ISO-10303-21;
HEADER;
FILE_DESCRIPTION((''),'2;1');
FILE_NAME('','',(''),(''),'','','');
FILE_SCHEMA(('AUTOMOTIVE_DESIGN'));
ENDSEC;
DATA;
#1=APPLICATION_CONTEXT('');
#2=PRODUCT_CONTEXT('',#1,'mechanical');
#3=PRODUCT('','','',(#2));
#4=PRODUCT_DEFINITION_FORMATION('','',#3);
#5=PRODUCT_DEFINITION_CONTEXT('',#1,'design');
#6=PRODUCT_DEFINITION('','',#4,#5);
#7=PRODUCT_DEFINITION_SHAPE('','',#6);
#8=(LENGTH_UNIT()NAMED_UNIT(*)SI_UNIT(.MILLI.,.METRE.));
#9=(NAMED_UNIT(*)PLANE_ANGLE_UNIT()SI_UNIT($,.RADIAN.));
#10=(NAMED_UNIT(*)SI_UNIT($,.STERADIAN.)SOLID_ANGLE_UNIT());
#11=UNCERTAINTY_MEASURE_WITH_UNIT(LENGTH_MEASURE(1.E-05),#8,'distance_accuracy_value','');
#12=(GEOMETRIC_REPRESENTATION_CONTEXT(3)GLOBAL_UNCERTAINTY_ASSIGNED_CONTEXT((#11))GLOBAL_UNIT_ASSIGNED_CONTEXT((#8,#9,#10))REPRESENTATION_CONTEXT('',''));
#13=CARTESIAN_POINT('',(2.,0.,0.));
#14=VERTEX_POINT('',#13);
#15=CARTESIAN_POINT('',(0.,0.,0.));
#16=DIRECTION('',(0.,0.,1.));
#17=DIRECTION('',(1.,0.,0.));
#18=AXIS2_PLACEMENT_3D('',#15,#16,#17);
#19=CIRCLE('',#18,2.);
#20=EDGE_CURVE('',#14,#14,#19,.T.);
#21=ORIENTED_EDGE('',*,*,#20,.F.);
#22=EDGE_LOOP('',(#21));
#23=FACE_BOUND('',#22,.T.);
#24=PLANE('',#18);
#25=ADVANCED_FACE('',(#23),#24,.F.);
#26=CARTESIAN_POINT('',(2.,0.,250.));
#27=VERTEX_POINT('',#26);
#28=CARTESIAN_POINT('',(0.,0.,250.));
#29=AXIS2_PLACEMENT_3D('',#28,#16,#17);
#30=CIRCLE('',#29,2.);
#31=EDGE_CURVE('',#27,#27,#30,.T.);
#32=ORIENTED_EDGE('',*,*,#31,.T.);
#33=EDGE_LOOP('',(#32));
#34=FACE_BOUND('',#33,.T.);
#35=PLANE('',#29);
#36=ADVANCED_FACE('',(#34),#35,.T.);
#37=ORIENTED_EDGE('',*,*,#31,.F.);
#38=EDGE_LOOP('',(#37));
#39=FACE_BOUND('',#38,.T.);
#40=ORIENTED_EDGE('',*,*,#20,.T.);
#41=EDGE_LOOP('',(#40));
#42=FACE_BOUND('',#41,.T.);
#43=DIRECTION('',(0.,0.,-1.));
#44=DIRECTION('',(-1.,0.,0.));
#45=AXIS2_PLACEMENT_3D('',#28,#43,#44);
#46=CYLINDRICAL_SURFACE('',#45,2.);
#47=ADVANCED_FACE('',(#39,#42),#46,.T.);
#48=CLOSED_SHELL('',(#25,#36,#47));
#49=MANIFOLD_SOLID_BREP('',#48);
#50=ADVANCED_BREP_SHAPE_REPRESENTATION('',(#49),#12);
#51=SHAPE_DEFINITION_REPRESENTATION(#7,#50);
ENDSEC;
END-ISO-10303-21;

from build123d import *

# Parameters (mm, degrees)
SKETCH1_R           = 2
BOSS_EXTRUDE1_DEPTH = 250


with BuildPart() as part:
    # Sketch1 → Boss-Extrude1 (new body)
    with BuildSketch(Plane.XY):
        Circle(SKETCH1_R)
    extrude(amount=BOSS_EXTRUDE1_DEPTH)


solid = part.part
